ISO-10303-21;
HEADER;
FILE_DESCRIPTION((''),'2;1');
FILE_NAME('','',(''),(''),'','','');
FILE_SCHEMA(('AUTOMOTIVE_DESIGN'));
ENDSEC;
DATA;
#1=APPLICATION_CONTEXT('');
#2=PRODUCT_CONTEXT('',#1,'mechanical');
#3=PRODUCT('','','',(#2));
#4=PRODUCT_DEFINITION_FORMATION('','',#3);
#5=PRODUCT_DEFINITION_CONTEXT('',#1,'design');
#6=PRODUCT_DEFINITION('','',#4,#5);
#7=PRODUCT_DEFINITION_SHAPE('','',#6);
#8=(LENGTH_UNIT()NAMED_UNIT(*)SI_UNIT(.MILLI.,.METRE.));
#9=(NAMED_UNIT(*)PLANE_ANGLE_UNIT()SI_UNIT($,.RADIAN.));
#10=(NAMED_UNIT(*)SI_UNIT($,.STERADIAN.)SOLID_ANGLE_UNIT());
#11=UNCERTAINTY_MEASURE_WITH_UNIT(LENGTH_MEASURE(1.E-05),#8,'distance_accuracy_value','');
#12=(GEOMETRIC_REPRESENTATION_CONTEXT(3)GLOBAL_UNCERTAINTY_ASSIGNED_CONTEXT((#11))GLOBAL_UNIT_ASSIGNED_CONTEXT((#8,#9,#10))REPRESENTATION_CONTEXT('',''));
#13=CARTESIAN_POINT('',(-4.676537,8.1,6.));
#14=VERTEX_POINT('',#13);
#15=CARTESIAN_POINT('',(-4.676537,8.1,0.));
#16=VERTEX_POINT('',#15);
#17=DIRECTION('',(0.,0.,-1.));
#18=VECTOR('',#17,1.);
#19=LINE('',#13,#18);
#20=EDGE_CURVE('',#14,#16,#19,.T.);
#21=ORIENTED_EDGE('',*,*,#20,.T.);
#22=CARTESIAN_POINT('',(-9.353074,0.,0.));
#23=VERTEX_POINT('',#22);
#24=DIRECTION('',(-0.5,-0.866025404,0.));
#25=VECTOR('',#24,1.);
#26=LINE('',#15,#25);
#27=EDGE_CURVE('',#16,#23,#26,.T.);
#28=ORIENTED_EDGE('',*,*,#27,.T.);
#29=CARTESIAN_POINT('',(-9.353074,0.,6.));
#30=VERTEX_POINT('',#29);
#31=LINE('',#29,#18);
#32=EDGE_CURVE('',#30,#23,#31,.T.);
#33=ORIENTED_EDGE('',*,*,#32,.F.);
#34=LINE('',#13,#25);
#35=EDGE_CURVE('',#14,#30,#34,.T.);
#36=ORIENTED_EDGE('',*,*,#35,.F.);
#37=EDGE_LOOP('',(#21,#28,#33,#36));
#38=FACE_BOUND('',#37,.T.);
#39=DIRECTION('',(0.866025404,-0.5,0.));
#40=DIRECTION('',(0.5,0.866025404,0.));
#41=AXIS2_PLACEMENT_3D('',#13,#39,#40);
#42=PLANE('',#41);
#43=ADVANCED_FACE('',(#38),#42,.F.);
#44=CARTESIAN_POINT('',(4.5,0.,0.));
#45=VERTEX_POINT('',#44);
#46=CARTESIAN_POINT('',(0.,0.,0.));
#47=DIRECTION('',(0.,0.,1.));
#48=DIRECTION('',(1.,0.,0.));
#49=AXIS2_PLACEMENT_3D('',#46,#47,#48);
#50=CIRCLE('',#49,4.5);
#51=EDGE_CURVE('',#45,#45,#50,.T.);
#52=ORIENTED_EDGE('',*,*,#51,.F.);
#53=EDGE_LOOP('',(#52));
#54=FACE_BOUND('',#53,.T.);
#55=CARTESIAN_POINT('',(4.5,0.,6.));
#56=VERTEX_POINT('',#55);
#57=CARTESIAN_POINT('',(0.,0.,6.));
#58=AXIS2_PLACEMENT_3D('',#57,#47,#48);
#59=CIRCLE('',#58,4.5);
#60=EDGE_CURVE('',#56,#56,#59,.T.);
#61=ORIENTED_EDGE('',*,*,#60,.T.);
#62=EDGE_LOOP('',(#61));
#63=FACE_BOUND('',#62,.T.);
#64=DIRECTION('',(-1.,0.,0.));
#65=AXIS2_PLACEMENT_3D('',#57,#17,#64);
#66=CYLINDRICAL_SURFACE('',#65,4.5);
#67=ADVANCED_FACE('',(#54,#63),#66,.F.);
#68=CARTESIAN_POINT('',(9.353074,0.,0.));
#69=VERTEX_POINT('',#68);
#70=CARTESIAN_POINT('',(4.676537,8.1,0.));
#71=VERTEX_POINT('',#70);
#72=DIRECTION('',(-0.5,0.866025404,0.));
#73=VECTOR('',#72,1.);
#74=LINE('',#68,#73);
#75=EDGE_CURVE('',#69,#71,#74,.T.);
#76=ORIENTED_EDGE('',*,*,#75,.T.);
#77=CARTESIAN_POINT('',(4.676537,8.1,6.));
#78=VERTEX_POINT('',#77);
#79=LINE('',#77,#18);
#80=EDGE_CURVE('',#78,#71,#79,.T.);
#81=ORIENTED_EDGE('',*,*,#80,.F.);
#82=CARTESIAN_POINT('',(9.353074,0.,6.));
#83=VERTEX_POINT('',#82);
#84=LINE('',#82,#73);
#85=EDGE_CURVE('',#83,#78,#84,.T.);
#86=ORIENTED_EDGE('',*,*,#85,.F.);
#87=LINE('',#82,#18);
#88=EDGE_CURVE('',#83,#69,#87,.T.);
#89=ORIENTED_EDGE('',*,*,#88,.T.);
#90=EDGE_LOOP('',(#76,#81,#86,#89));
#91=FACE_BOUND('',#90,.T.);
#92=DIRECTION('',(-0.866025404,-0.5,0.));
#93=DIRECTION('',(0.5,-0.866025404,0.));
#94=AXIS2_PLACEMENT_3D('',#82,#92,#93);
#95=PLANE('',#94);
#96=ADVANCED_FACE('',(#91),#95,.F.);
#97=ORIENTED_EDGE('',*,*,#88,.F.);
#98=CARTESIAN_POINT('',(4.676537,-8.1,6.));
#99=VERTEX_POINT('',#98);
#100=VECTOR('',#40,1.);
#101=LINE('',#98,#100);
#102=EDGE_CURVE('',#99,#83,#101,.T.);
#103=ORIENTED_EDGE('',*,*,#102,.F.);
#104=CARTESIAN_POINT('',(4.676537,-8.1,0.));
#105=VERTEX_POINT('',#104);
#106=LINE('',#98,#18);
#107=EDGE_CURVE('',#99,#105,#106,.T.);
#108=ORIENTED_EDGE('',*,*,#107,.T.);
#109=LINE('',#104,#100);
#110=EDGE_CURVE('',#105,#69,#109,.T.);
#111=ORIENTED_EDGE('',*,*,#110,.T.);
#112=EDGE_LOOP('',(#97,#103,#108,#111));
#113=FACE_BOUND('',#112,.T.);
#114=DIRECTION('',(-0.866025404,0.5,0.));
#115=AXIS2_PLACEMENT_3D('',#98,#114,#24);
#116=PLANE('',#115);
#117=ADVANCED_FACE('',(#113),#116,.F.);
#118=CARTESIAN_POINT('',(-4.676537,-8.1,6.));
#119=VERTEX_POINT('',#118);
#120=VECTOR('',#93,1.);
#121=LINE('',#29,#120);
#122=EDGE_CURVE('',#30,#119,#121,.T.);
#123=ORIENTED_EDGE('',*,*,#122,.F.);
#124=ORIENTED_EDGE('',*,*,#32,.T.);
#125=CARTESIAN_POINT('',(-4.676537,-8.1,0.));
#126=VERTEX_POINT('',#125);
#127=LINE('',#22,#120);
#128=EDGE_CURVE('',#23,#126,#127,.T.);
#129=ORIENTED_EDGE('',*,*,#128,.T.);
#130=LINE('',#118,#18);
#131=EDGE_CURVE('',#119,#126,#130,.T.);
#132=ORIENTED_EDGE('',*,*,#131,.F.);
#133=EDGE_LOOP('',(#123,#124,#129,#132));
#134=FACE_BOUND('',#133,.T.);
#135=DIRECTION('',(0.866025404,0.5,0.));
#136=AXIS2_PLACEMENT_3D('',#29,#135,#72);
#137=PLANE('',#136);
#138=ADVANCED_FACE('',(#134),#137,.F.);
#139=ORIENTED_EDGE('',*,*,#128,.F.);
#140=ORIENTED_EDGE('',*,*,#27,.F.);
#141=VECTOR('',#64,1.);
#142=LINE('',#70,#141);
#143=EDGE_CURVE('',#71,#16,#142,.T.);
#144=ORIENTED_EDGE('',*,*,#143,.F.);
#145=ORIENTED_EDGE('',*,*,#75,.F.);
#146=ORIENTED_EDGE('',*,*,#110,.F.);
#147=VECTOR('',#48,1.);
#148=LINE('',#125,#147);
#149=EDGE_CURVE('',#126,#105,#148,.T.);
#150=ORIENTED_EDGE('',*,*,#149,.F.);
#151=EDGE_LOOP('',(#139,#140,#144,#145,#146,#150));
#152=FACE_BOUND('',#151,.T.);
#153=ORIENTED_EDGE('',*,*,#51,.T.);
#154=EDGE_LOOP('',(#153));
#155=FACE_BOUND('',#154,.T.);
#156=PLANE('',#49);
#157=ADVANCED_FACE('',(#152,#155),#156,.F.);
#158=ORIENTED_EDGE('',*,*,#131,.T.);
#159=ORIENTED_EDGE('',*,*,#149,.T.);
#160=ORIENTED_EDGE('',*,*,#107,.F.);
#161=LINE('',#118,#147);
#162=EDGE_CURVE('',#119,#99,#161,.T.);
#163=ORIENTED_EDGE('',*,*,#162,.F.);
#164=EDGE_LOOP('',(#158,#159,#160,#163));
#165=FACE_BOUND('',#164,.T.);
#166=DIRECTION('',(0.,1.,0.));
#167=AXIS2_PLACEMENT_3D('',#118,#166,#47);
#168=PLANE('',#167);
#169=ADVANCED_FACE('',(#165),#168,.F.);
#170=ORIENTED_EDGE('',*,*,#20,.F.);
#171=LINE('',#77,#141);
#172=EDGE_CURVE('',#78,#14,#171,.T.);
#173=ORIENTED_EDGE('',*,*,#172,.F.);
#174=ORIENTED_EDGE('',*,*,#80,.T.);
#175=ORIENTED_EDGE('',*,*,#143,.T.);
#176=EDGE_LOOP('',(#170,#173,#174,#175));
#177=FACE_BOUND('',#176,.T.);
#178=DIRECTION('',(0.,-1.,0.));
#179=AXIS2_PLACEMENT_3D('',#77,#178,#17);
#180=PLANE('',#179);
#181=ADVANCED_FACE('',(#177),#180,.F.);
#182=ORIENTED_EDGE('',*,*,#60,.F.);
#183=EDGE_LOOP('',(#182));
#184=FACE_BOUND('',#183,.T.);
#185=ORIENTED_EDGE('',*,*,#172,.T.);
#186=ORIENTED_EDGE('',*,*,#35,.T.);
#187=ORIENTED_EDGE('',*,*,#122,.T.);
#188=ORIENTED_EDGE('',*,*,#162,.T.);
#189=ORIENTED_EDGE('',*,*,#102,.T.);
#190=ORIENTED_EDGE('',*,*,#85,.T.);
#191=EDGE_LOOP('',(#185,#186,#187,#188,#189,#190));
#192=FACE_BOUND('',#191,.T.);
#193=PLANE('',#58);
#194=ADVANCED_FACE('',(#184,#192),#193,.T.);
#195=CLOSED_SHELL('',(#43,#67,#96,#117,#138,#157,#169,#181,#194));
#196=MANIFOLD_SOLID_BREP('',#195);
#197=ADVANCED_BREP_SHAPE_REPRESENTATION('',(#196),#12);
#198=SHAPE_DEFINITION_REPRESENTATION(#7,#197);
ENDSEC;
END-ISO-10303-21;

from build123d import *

# Parameters (mm, degrees)
SKETCH2_R           = 4.5
BOSS_EXTRUDE1_DEPTH = 6


with BuildPart() as part:
    # Sketch2 → Boss-Extrude1 (new body)
    with BuildSketch(Plane.XY):
        Polygon((4.67653718, 8.1), (-4.67653718, 8.1), (-9.353074361, 0), (-4.67653718, -8.1), (4.67653718, -8.1), (9.353074361, 0), align=None)
        Circle(SKETCH2_R, mode=Mode.SUBTRACT)
    extrude(amount=BOSS_EXTRUDE1_DEPTH)


solid = part.part
